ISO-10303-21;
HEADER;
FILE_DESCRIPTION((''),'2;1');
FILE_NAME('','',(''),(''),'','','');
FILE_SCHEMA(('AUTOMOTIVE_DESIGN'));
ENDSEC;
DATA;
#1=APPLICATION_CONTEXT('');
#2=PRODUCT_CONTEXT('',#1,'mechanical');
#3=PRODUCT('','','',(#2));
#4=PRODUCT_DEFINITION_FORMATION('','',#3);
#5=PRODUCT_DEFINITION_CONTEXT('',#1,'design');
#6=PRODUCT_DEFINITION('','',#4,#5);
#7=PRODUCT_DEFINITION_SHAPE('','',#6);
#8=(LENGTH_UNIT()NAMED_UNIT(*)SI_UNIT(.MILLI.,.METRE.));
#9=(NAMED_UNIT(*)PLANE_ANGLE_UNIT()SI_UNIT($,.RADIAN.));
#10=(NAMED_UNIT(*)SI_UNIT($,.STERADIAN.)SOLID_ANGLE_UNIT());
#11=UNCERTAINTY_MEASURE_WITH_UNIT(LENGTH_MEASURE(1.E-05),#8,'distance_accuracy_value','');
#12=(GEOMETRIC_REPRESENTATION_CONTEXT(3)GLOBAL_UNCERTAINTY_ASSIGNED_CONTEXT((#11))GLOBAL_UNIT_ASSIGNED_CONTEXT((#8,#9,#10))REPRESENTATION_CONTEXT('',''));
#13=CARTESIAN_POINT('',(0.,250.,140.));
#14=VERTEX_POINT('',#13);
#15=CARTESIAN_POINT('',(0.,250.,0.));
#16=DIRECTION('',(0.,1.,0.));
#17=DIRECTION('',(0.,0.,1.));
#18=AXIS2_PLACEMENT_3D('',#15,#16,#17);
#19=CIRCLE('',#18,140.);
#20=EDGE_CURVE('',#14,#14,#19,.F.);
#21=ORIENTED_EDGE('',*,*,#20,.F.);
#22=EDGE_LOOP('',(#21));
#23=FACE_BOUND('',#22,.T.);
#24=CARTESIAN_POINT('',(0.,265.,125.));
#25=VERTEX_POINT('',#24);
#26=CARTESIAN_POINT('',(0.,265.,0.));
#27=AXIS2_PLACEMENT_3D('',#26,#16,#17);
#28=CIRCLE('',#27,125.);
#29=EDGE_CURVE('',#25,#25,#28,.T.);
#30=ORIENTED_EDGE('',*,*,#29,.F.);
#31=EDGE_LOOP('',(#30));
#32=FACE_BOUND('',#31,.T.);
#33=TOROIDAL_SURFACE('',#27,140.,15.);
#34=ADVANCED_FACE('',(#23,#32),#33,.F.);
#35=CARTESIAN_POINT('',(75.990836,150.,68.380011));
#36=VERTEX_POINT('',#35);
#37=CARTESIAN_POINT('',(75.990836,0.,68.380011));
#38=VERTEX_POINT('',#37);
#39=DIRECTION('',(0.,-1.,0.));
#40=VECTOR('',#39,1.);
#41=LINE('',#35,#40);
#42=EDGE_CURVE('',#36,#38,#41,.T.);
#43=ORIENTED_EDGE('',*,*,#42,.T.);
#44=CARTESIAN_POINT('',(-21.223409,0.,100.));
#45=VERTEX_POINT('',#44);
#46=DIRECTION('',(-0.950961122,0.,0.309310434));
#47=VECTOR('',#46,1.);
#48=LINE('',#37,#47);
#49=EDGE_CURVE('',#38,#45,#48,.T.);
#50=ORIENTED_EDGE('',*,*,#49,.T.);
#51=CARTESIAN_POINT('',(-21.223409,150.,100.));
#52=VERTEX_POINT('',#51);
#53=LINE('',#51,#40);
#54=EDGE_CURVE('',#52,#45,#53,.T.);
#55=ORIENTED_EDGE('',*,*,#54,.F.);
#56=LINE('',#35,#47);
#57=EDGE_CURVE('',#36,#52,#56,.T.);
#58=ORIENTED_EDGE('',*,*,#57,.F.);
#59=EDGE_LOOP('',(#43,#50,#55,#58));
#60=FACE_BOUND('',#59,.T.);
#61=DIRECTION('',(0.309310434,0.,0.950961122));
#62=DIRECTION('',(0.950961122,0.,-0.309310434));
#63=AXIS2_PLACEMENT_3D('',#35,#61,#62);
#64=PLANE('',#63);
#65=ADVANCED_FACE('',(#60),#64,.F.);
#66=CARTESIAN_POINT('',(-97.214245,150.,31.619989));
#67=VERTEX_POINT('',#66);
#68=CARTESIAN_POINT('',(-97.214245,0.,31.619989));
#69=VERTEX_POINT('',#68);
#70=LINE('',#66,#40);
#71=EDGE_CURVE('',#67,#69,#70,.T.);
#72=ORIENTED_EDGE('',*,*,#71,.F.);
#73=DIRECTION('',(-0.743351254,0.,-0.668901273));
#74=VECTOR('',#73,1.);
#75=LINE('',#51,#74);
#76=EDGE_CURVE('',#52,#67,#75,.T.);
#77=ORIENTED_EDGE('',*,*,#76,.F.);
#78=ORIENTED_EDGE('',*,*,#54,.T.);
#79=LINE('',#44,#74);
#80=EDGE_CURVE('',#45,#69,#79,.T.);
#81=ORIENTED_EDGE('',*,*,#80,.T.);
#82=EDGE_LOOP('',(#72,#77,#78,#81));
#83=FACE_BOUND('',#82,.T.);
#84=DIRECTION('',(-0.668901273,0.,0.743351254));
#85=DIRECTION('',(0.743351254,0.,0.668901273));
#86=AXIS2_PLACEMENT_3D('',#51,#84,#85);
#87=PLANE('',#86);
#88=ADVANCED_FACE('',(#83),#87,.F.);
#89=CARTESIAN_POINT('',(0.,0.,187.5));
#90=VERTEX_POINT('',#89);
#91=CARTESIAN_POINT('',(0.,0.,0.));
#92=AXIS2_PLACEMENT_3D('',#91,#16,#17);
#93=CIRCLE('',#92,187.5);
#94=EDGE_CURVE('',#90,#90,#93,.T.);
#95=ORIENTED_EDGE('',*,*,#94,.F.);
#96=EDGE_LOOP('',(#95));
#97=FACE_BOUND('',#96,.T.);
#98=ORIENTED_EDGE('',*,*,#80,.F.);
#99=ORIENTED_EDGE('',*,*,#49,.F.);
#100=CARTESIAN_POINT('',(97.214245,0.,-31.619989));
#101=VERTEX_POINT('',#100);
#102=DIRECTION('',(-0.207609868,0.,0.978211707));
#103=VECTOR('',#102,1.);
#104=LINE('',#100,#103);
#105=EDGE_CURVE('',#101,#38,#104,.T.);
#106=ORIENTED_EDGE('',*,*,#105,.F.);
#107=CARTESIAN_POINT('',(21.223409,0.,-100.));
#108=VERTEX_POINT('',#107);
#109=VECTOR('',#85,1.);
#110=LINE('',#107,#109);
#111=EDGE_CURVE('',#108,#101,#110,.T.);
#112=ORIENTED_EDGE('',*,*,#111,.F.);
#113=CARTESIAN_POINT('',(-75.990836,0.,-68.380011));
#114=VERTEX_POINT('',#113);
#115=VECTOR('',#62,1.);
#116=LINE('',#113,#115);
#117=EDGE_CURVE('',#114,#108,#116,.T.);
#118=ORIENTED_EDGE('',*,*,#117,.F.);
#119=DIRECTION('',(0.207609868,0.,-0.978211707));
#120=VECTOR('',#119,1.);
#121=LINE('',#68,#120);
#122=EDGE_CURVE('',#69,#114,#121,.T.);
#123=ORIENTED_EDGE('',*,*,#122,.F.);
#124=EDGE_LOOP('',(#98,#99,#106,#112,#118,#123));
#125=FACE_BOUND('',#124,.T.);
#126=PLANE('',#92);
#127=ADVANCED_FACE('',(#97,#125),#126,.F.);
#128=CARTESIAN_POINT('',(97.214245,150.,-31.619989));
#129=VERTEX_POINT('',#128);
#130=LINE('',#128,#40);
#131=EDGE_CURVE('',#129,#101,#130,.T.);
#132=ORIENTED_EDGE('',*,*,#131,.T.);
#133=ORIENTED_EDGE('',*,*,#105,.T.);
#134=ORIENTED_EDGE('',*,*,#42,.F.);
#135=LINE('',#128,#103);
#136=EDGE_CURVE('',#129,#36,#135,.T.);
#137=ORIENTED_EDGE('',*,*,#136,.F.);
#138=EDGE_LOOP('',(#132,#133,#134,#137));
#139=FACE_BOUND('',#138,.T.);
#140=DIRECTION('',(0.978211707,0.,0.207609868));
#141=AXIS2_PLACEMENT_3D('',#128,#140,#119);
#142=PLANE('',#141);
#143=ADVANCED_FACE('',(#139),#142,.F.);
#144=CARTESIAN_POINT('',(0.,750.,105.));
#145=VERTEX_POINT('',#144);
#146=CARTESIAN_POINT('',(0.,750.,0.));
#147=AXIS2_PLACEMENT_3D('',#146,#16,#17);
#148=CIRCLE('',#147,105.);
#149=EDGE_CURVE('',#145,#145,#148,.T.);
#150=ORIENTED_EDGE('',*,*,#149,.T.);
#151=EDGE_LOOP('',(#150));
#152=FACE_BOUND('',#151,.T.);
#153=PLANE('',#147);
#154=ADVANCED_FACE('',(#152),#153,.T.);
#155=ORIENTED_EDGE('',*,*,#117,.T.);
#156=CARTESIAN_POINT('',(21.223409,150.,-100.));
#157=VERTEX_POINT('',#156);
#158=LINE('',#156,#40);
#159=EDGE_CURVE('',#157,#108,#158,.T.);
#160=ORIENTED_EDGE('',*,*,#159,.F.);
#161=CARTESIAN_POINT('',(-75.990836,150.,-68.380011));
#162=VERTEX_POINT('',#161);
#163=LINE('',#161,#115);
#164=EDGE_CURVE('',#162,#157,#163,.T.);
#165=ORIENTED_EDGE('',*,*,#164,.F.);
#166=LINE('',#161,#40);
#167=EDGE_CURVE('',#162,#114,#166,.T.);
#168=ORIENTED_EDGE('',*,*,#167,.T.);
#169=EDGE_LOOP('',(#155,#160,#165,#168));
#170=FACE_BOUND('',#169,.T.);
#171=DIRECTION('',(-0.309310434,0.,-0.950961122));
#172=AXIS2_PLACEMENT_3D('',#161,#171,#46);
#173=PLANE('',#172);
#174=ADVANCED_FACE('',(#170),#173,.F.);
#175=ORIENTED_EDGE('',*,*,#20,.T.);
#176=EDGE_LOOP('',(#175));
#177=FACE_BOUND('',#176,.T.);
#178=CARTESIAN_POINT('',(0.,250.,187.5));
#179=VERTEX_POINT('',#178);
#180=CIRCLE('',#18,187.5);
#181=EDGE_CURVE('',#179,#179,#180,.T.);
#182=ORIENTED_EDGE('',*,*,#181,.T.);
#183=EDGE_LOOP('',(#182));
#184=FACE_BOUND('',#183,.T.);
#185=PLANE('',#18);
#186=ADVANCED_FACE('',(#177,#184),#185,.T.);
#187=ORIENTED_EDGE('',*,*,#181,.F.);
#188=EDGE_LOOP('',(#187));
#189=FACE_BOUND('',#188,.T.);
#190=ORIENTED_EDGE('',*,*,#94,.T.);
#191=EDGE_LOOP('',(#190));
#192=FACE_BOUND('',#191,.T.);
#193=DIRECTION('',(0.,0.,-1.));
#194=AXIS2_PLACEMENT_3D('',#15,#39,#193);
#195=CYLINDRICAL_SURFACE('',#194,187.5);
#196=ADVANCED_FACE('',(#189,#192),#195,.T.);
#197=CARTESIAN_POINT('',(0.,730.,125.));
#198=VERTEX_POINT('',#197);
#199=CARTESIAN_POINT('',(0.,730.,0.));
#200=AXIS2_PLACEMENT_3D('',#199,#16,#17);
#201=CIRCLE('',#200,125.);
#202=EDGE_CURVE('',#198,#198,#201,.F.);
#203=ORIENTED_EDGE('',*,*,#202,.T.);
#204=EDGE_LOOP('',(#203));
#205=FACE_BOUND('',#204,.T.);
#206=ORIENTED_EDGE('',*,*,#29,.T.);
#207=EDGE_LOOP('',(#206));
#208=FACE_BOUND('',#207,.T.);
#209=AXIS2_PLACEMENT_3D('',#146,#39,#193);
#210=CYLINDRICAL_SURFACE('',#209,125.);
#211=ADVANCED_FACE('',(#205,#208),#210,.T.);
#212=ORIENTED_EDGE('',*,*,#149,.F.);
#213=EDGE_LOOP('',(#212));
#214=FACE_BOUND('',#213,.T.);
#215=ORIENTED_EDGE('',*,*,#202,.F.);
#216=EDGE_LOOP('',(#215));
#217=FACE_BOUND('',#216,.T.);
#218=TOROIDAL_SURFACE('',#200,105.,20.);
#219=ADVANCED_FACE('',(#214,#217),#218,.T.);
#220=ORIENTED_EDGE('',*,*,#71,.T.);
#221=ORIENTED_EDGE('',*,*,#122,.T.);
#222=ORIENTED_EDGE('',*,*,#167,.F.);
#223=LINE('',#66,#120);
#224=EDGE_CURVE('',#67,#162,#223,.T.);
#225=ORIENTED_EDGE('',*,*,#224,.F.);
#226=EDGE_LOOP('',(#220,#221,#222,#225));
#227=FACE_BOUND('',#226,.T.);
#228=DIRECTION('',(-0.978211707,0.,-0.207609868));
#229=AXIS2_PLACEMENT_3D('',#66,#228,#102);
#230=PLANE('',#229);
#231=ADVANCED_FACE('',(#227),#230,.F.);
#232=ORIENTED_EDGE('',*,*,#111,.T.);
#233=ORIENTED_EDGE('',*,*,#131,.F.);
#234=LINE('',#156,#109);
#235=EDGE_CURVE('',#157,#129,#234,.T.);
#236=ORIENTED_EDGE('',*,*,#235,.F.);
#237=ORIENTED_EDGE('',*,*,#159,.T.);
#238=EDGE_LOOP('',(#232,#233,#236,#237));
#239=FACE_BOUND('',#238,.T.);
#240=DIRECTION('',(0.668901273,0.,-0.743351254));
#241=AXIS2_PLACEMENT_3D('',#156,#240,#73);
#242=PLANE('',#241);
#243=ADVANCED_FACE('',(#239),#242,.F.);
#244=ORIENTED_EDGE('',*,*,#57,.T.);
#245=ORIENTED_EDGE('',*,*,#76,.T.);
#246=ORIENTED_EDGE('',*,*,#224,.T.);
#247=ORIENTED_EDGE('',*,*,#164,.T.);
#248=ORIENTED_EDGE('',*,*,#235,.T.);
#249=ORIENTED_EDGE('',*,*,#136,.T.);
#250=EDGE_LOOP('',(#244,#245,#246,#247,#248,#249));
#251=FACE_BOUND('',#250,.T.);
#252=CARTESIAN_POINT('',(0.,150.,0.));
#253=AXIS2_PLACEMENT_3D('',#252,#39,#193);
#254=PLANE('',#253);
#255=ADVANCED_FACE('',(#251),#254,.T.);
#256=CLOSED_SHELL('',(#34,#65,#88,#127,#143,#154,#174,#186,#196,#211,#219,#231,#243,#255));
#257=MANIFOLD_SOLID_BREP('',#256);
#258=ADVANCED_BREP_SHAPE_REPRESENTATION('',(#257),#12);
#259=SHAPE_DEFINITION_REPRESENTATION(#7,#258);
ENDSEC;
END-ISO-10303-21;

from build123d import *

# Parameters (mm, degrees)
SKETCH1_R           = 187.5
BOSS_EXTRUDE1_DEPTH = 250
SKETCH2_R           = 125
BOSS_EXTRUDE2_DEPTH = 500
FILLET1_R           = 15
FILLET2_R           = 20
CUT_EXTRUDE1_DEPTH  = 150


with BuildPart() as part:
    # Sketch1 → Boss-Extrude1 (new body)
    with BuildSketch(Plane(origin=(0, 0, 0), x_dir=(1, 0, 0), z_dir=(0, 1, 0))):
        with Locations(Location((0, 0, 0), (0, 0, 270))):
            Circle(SKETCH1_R)
    extrude(amount=BOSS_EXTRUDE1_DEPTH)

    # Sketch2 → Boss-Extrude2 (add)
    with BuildSketch(Plane(origin=(0, 250, 0), x_dir=(1, 0, 0), z_dir=(0, 1, 0))):
        with Locations(Location((0, 0, 0), (0, 0, 270))):
            Circle(SKETCH2_R)
    extrude(amount=BOSS_EXTRUDE2_DEPTH)

    # Fillet1
    fillet1_edges = [part.edges().sort_by_distance(p)[0] for p in [
        (0, 250, -125),
    ]]
    fillet(fillet1_edges, radius=FILLET1_R)

    # Fillet2
    fillet2_edges = [part.edges().sort_by_distance(p)[0] for p in [
        (0, 750, -125),
    ]]
    fillet(fillet2_edges, radius=FILLET2_R)

    # Sketch3 → Cut-Extrude1 (cut)
    with BuildSketch(Plane(origin=(0, 0, 0), x_dir=(-1, 0, 0), z_dir=(0, -1, 0))):
        Polygon((97.214244703, -31.619988955), (75.990836054, 68.380011045), (-21.223408649, 100), (-97.214244703, 31.619988955), (-75.990836054, -68.380011045), (21.223408649, -100), align=None)
    extrude(amount=-CUT_EXTRUDE1_DEPTH, mode=Mode.SUBTRACT)


solid = part.part
